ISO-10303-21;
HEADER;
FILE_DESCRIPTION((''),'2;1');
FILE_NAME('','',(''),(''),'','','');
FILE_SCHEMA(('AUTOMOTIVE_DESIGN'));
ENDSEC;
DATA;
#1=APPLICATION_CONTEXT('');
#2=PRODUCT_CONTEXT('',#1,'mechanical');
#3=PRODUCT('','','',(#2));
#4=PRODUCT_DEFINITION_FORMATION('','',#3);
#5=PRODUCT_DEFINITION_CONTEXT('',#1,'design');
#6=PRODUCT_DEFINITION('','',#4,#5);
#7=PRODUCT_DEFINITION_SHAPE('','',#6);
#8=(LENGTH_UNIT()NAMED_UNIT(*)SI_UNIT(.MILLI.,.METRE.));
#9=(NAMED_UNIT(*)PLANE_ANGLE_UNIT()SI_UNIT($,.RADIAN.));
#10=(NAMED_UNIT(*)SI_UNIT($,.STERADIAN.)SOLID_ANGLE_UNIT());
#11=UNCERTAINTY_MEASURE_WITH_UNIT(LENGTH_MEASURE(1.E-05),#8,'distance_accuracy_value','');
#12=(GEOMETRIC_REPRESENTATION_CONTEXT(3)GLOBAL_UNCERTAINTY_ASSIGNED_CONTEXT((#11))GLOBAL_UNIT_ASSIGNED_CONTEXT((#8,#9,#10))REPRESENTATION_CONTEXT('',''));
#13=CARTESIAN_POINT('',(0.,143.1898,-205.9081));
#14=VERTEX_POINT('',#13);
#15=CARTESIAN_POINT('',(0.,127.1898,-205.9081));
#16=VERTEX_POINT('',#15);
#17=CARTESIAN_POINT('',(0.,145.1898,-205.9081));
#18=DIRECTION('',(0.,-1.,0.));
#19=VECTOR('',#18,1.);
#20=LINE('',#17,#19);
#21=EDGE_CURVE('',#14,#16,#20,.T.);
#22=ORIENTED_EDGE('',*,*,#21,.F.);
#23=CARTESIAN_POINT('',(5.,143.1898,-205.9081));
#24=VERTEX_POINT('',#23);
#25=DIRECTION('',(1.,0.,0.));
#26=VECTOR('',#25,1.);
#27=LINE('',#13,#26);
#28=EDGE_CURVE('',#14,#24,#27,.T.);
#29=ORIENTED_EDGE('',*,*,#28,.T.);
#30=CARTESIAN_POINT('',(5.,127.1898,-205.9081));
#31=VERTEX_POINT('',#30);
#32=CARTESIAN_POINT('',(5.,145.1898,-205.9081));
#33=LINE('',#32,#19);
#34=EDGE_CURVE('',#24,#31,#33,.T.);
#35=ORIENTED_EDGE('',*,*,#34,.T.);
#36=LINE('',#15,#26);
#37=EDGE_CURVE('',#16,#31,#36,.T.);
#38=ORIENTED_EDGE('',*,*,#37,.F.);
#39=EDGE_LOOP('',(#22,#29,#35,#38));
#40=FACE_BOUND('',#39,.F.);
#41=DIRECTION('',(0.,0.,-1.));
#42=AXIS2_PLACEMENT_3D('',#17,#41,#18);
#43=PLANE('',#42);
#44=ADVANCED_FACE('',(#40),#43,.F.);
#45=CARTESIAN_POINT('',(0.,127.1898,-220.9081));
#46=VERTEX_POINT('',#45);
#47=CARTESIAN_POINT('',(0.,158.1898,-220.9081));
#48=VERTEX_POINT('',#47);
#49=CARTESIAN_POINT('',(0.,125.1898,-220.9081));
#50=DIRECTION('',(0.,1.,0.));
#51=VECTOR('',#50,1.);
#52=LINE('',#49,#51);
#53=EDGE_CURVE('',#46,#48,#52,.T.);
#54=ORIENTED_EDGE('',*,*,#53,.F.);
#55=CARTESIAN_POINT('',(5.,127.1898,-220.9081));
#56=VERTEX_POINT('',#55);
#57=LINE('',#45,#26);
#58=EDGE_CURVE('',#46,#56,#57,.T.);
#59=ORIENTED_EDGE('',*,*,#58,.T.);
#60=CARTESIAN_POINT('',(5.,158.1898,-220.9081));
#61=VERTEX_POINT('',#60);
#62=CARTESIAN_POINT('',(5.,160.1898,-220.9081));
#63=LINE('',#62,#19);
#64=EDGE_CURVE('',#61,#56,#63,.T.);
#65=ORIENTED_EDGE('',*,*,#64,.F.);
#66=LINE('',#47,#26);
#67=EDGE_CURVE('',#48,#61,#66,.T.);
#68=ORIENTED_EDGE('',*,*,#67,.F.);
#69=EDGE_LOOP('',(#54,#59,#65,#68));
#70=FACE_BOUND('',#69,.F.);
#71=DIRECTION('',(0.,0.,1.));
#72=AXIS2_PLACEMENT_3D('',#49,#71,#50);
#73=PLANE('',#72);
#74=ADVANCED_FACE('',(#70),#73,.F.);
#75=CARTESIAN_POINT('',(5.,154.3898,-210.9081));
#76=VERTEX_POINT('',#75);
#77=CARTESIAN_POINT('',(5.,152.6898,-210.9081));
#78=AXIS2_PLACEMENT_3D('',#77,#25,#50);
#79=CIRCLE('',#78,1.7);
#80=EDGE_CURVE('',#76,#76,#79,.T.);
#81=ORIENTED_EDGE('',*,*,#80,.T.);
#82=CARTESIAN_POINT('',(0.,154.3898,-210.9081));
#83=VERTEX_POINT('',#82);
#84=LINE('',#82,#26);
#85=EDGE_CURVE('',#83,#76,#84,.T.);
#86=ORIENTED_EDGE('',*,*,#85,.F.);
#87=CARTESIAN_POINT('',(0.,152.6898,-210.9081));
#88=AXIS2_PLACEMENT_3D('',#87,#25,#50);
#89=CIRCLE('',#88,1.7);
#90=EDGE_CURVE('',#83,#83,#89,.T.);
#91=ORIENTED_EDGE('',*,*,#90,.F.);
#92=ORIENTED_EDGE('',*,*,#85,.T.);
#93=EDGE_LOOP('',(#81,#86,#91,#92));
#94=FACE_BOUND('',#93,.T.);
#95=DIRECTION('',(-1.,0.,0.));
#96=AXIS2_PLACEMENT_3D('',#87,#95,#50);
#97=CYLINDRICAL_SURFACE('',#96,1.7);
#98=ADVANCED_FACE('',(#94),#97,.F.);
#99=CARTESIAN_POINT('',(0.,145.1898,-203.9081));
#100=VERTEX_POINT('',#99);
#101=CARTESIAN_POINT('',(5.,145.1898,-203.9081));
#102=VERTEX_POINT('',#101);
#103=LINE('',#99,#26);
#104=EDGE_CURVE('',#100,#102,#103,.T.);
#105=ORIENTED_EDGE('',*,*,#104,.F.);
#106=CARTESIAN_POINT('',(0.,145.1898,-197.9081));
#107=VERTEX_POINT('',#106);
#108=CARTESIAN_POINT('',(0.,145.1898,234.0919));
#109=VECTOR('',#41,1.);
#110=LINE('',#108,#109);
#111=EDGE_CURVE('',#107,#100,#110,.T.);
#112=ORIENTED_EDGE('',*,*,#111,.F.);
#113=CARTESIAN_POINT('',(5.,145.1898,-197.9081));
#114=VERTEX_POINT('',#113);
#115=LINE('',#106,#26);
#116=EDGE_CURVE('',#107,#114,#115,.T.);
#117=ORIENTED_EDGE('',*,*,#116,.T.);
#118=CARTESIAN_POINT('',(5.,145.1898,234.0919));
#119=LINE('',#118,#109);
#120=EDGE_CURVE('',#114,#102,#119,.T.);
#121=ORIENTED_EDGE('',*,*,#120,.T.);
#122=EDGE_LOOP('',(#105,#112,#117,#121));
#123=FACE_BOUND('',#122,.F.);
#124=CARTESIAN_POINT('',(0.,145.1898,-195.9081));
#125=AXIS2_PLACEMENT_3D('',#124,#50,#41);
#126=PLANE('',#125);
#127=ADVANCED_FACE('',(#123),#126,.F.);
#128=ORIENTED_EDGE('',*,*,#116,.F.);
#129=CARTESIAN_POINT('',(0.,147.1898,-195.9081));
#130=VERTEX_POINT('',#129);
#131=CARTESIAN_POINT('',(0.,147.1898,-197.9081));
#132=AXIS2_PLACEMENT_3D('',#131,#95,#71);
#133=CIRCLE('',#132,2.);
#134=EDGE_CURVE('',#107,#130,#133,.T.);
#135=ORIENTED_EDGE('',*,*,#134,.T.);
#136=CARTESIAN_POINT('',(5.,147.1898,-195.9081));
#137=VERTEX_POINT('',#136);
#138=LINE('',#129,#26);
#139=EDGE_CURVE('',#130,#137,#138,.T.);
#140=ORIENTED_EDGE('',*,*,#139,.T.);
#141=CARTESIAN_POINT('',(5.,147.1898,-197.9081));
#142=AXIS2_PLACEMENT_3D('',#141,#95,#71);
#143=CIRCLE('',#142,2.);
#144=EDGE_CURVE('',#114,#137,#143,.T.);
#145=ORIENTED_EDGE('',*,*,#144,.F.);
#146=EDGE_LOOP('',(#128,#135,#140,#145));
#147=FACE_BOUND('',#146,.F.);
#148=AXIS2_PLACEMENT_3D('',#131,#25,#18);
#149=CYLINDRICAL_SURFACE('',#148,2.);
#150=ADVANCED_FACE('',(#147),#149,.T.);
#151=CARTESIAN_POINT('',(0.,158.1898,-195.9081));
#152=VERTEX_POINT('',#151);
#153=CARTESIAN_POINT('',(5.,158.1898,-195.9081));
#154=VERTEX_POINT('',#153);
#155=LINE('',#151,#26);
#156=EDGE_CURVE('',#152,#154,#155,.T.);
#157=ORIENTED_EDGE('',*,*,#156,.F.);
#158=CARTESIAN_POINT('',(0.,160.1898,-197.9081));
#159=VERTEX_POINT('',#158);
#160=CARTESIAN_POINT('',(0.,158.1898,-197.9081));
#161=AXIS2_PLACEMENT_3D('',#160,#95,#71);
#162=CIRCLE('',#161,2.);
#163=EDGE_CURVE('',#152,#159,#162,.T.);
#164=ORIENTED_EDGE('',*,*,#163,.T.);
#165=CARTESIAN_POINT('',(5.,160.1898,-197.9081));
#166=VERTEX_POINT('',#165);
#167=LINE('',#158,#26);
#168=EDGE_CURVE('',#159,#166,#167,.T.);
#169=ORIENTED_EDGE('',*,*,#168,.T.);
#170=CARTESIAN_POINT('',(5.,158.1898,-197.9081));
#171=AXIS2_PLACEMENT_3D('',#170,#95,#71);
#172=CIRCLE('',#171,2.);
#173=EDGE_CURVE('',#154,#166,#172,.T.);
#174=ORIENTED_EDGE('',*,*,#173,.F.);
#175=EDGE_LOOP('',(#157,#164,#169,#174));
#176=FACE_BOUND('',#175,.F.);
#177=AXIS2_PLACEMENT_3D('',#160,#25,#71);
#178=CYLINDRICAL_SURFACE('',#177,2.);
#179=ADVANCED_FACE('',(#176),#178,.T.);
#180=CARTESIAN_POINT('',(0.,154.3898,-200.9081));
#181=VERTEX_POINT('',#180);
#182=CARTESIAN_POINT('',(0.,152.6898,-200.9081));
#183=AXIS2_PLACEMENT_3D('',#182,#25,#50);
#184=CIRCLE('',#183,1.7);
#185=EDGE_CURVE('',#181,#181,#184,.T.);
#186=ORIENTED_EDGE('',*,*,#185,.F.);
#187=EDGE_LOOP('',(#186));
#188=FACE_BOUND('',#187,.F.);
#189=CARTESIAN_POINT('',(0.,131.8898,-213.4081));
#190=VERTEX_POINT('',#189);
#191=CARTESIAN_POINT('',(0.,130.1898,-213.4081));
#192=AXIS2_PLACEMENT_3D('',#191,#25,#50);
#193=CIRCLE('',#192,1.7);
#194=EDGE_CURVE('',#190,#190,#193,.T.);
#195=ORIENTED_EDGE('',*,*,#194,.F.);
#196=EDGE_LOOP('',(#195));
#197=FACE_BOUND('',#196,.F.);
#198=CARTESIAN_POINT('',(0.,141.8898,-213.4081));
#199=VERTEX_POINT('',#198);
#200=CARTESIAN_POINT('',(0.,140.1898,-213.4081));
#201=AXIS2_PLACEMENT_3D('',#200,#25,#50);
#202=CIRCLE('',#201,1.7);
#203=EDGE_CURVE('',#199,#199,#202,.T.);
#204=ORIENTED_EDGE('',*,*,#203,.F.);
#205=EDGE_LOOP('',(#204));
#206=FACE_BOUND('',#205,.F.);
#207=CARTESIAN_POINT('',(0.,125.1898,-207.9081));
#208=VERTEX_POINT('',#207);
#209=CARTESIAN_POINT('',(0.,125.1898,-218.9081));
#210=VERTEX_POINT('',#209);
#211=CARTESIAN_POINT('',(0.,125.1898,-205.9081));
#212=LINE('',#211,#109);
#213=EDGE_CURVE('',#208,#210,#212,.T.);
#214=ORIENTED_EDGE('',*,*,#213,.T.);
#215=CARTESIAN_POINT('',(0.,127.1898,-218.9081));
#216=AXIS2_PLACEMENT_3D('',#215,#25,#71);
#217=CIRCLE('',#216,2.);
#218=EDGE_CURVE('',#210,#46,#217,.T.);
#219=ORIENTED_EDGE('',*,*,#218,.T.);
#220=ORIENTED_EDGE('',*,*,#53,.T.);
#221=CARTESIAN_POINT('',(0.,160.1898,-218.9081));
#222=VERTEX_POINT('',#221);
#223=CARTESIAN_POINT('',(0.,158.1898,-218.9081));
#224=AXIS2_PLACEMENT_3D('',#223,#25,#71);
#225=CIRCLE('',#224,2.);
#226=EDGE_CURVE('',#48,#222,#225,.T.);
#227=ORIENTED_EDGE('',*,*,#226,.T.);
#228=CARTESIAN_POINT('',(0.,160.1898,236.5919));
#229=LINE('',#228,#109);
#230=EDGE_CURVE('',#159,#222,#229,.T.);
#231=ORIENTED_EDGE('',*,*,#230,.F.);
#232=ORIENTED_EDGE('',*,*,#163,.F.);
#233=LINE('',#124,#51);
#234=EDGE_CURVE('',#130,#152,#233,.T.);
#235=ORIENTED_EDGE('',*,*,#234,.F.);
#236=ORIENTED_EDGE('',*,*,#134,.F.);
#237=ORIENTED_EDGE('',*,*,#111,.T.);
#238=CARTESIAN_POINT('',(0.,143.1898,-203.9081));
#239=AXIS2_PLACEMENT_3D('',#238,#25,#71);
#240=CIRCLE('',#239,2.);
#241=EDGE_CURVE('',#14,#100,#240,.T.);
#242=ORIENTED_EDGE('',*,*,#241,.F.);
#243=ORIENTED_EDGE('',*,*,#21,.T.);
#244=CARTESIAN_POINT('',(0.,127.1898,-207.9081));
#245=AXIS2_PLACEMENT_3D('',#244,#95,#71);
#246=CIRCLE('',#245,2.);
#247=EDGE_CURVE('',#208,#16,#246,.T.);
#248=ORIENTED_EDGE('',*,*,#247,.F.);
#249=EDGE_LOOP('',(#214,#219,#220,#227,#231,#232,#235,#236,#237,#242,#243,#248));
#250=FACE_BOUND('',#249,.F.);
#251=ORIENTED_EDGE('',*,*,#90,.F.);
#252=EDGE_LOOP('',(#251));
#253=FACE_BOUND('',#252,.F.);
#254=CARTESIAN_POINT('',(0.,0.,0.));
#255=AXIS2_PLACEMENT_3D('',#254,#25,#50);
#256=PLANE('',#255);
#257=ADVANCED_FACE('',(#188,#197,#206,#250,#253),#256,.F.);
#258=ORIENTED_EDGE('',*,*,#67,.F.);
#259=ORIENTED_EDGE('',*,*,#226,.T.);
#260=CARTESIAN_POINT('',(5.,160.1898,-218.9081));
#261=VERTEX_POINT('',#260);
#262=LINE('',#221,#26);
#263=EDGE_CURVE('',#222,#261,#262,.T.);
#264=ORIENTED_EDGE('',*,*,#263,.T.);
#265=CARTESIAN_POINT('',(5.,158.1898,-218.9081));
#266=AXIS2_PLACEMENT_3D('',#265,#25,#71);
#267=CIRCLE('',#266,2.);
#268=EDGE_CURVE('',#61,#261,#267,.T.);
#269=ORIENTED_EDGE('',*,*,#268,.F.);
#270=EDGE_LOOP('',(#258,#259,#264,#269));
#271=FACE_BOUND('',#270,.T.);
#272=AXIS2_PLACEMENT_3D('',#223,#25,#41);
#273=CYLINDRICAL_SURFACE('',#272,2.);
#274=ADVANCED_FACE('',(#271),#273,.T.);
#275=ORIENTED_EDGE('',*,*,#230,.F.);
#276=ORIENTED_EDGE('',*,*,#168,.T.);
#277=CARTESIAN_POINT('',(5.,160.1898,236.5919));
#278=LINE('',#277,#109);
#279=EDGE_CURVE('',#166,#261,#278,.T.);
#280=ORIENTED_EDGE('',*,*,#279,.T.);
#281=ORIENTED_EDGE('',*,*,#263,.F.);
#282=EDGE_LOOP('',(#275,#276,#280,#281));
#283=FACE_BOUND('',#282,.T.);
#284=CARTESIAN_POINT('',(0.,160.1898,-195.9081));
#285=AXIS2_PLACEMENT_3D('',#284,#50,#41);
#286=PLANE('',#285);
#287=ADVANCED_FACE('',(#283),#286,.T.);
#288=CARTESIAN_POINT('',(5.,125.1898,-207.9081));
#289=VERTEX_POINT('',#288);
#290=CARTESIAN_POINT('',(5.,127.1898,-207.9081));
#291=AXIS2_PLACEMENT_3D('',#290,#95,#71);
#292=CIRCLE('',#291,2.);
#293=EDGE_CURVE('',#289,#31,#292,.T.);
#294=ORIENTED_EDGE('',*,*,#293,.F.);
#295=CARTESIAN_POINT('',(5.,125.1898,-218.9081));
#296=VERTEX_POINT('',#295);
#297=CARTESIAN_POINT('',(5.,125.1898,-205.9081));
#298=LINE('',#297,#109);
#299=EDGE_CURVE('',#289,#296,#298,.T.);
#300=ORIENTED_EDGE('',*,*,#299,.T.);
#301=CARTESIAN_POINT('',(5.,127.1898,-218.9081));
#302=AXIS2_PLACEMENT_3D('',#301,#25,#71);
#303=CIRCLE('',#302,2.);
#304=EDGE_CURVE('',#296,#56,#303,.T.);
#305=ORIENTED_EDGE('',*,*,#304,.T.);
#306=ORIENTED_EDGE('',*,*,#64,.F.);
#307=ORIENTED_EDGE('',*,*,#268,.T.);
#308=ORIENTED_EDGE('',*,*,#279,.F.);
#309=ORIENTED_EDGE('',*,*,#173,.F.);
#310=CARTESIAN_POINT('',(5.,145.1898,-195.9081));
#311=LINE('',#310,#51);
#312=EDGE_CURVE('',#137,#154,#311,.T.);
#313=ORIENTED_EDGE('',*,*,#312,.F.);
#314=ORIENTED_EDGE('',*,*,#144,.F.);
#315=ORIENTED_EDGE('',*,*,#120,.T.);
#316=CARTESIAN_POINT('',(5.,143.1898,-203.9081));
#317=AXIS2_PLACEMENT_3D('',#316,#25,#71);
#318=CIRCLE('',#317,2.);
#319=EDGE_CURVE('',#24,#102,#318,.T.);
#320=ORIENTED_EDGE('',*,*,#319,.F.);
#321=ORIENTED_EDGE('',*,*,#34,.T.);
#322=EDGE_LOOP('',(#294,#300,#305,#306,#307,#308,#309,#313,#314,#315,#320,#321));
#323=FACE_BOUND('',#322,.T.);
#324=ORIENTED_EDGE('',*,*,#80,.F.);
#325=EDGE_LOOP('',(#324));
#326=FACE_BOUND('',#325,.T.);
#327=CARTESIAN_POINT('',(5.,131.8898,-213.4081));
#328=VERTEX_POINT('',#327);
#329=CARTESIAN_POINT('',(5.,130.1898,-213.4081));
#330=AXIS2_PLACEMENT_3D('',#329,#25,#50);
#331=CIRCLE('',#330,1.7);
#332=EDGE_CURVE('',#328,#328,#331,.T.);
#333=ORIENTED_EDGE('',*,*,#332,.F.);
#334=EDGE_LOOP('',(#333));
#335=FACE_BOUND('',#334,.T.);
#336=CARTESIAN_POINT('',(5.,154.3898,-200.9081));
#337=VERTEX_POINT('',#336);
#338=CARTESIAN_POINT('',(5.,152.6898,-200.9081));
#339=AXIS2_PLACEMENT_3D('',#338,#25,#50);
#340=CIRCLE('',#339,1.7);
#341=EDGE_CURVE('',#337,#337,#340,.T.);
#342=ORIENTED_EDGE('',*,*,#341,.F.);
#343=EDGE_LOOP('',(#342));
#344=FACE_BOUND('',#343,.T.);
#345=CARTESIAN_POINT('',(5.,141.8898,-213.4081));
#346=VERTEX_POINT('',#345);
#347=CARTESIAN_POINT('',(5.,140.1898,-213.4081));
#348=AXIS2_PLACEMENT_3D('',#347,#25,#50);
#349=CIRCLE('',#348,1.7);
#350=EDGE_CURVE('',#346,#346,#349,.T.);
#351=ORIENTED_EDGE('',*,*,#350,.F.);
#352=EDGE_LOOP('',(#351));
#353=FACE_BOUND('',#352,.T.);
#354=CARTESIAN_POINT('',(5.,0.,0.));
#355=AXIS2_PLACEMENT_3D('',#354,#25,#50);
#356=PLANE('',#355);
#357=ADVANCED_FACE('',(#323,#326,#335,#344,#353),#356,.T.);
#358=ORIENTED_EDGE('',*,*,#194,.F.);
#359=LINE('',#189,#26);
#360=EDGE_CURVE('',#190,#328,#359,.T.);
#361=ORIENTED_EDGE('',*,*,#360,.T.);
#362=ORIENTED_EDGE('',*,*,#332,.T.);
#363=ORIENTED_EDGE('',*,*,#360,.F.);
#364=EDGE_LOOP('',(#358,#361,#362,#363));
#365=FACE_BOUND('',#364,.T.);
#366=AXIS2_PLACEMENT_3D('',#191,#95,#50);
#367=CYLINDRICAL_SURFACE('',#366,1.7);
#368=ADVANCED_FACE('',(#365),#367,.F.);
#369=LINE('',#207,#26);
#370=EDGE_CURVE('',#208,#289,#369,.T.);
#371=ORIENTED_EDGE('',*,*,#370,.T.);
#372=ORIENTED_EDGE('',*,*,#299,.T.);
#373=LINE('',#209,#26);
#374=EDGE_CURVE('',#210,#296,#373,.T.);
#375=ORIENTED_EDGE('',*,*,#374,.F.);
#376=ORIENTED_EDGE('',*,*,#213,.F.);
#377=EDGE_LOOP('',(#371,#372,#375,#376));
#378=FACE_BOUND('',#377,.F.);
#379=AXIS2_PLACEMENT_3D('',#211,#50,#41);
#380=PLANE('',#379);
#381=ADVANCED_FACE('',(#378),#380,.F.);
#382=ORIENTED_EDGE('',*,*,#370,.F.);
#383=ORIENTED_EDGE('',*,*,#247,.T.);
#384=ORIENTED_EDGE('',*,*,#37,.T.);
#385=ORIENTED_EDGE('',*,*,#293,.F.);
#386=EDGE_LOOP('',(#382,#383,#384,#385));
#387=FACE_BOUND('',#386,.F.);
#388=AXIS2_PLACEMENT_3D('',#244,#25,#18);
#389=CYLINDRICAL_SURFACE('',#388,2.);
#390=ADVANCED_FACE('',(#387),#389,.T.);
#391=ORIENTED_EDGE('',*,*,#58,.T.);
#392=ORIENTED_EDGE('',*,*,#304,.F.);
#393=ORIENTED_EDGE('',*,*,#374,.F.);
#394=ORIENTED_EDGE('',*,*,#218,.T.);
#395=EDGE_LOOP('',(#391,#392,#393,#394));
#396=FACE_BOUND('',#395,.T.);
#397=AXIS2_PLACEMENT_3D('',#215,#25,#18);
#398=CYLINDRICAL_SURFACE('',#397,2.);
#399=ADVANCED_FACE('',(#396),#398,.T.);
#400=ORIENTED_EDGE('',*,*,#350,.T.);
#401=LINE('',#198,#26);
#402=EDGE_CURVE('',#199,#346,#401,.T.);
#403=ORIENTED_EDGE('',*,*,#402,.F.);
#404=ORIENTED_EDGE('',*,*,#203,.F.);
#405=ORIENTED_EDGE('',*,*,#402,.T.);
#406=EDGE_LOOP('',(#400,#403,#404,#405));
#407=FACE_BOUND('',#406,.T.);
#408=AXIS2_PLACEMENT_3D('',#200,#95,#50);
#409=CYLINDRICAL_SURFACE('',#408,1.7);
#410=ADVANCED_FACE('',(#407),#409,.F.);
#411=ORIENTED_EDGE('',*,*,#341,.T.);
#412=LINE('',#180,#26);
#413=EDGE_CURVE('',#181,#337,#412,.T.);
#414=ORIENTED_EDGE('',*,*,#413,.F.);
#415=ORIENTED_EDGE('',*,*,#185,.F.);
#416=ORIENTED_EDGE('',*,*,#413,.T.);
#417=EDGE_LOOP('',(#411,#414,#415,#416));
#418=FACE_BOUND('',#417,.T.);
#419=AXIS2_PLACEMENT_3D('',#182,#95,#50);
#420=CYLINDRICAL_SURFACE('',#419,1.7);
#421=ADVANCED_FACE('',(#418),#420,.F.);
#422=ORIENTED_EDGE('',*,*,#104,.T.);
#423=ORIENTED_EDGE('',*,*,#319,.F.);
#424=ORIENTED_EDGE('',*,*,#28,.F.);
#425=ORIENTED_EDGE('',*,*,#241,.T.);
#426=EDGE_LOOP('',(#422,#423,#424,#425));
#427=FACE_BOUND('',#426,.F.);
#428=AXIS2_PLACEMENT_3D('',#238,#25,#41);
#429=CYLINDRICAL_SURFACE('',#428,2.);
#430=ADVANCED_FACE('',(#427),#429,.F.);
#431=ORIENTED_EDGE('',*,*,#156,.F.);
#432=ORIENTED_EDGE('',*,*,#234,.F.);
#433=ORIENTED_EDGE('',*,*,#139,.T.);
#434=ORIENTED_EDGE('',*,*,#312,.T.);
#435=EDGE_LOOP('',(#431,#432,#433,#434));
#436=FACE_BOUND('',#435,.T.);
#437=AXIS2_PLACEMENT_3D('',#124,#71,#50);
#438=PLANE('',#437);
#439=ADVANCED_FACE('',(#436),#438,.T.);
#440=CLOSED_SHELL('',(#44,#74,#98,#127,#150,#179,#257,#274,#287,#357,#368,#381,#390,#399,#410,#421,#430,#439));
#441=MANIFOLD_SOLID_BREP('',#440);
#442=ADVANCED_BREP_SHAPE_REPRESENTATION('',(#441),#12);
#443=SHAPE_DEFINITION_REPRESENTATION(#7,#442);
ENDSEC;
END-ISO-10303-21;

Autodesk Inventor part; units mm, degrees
ref_plane "YZ Plane" through (0, 0, 0) normal (1, 0, 0) x (0, 1, 0)
ref_plane "XZ Plane" through (0, 0, 0) normal (0, 1, 0) x (-1, 0, 0)
ref_plane "XY Plane" through (0, 0, 0) normal (0, 0, 1) x (1, 0, 0)
sketch "スケッチ1" plane through (0, 0, 0) normal (1, 0, 0) x (0, 1, 0)
  line L0 (-144.8102, -220.9081) -> (-144.8102, 234.0919)
  line L1 (-144.8102, -220.9081) -> (145.1898, -220.9081)
  line L2 (145.1898, -220.9081) -> (145.1898, -205.9081)
  line L3 (145.1898, -205.9081) -> (-144.8102, -205.9081)
  line L4 (-144.8102, -205.9081) -> (-144.8102, -220.9081)
  line L5 (145.1898, 234.0919) -> (145.1898, -220.9081)
  line L6 (145.1898, -220.9081) -> (160.1898, -220.9081)
  line L7 (160.1898, 236.5919) -> (160.1898, -220.9081)
  line L8 (0.1898, -205.9081) -> (0.1898, -220.9081)
  line L9 (125.1898, -205.9081) -> (125.1898, -220.9081)
  line L10 (145.1898, -195.9081) -> (160.1898, -195.9081)
  circle A0 centre (130.1898, -213.4081) radius 1.7
  circle A1 centre (140.1898, -213.4081) radius 1.7
  circle A2 centre (152.6898, -210.9081) radius 1.7
  circle A3 centre (152.6898, -200.9081) radius 1.7
  point P0 (0, 0)
  point P1 (-54.8102, -185.9081)
  point P2 (-152.3102, -200.9081)
  point P3 (-152.3102, -210.9081)
  point P4 (-139.8102, -213.4081)
  point P5 (-129.8102, -213.4081)
  dimension "d0" = 15
  dimension "d1" = 0
  dimension "d2" = 10
  dimension "d3" = 7.5
  dimension "d4" = 10
  dimension "d5" = 5
  dimension "d6" = 7.5
  dimension "d7" = 10
  dimension "d8" = 7.5
  dimension "d9" = 7.5
  dimension "d10" = 5
  dimension "d11" = 5
  dimension "d12" = 3.4
  dimension "d13" = 3.4
  dimension "d14" = 3.4
  dimension "d15" = 3.4
extrude "押し出し1" add sketch "スケッチ1" along normal blind 5 contours L9 L3 L2 L1 | L2 L5 L10 L7 L6
fillet "フィレット1" radius 2 6 edges at (2.5, 160.1898, -220.9081) (2.5, 160.1898, -195.9081) (2.5, 145.1898, -195.9081) (2.5, 145.1898, -205.9081) (2.5, 125.1898, -205.9081) (2.5, 125.1898, -220.9081)
equation "\"d6\" = d3"
equation "\"d9\" = d8"
properties part number "ball_loading_v1_Plate_ASP_F_3" material "ABS プラスチック"
